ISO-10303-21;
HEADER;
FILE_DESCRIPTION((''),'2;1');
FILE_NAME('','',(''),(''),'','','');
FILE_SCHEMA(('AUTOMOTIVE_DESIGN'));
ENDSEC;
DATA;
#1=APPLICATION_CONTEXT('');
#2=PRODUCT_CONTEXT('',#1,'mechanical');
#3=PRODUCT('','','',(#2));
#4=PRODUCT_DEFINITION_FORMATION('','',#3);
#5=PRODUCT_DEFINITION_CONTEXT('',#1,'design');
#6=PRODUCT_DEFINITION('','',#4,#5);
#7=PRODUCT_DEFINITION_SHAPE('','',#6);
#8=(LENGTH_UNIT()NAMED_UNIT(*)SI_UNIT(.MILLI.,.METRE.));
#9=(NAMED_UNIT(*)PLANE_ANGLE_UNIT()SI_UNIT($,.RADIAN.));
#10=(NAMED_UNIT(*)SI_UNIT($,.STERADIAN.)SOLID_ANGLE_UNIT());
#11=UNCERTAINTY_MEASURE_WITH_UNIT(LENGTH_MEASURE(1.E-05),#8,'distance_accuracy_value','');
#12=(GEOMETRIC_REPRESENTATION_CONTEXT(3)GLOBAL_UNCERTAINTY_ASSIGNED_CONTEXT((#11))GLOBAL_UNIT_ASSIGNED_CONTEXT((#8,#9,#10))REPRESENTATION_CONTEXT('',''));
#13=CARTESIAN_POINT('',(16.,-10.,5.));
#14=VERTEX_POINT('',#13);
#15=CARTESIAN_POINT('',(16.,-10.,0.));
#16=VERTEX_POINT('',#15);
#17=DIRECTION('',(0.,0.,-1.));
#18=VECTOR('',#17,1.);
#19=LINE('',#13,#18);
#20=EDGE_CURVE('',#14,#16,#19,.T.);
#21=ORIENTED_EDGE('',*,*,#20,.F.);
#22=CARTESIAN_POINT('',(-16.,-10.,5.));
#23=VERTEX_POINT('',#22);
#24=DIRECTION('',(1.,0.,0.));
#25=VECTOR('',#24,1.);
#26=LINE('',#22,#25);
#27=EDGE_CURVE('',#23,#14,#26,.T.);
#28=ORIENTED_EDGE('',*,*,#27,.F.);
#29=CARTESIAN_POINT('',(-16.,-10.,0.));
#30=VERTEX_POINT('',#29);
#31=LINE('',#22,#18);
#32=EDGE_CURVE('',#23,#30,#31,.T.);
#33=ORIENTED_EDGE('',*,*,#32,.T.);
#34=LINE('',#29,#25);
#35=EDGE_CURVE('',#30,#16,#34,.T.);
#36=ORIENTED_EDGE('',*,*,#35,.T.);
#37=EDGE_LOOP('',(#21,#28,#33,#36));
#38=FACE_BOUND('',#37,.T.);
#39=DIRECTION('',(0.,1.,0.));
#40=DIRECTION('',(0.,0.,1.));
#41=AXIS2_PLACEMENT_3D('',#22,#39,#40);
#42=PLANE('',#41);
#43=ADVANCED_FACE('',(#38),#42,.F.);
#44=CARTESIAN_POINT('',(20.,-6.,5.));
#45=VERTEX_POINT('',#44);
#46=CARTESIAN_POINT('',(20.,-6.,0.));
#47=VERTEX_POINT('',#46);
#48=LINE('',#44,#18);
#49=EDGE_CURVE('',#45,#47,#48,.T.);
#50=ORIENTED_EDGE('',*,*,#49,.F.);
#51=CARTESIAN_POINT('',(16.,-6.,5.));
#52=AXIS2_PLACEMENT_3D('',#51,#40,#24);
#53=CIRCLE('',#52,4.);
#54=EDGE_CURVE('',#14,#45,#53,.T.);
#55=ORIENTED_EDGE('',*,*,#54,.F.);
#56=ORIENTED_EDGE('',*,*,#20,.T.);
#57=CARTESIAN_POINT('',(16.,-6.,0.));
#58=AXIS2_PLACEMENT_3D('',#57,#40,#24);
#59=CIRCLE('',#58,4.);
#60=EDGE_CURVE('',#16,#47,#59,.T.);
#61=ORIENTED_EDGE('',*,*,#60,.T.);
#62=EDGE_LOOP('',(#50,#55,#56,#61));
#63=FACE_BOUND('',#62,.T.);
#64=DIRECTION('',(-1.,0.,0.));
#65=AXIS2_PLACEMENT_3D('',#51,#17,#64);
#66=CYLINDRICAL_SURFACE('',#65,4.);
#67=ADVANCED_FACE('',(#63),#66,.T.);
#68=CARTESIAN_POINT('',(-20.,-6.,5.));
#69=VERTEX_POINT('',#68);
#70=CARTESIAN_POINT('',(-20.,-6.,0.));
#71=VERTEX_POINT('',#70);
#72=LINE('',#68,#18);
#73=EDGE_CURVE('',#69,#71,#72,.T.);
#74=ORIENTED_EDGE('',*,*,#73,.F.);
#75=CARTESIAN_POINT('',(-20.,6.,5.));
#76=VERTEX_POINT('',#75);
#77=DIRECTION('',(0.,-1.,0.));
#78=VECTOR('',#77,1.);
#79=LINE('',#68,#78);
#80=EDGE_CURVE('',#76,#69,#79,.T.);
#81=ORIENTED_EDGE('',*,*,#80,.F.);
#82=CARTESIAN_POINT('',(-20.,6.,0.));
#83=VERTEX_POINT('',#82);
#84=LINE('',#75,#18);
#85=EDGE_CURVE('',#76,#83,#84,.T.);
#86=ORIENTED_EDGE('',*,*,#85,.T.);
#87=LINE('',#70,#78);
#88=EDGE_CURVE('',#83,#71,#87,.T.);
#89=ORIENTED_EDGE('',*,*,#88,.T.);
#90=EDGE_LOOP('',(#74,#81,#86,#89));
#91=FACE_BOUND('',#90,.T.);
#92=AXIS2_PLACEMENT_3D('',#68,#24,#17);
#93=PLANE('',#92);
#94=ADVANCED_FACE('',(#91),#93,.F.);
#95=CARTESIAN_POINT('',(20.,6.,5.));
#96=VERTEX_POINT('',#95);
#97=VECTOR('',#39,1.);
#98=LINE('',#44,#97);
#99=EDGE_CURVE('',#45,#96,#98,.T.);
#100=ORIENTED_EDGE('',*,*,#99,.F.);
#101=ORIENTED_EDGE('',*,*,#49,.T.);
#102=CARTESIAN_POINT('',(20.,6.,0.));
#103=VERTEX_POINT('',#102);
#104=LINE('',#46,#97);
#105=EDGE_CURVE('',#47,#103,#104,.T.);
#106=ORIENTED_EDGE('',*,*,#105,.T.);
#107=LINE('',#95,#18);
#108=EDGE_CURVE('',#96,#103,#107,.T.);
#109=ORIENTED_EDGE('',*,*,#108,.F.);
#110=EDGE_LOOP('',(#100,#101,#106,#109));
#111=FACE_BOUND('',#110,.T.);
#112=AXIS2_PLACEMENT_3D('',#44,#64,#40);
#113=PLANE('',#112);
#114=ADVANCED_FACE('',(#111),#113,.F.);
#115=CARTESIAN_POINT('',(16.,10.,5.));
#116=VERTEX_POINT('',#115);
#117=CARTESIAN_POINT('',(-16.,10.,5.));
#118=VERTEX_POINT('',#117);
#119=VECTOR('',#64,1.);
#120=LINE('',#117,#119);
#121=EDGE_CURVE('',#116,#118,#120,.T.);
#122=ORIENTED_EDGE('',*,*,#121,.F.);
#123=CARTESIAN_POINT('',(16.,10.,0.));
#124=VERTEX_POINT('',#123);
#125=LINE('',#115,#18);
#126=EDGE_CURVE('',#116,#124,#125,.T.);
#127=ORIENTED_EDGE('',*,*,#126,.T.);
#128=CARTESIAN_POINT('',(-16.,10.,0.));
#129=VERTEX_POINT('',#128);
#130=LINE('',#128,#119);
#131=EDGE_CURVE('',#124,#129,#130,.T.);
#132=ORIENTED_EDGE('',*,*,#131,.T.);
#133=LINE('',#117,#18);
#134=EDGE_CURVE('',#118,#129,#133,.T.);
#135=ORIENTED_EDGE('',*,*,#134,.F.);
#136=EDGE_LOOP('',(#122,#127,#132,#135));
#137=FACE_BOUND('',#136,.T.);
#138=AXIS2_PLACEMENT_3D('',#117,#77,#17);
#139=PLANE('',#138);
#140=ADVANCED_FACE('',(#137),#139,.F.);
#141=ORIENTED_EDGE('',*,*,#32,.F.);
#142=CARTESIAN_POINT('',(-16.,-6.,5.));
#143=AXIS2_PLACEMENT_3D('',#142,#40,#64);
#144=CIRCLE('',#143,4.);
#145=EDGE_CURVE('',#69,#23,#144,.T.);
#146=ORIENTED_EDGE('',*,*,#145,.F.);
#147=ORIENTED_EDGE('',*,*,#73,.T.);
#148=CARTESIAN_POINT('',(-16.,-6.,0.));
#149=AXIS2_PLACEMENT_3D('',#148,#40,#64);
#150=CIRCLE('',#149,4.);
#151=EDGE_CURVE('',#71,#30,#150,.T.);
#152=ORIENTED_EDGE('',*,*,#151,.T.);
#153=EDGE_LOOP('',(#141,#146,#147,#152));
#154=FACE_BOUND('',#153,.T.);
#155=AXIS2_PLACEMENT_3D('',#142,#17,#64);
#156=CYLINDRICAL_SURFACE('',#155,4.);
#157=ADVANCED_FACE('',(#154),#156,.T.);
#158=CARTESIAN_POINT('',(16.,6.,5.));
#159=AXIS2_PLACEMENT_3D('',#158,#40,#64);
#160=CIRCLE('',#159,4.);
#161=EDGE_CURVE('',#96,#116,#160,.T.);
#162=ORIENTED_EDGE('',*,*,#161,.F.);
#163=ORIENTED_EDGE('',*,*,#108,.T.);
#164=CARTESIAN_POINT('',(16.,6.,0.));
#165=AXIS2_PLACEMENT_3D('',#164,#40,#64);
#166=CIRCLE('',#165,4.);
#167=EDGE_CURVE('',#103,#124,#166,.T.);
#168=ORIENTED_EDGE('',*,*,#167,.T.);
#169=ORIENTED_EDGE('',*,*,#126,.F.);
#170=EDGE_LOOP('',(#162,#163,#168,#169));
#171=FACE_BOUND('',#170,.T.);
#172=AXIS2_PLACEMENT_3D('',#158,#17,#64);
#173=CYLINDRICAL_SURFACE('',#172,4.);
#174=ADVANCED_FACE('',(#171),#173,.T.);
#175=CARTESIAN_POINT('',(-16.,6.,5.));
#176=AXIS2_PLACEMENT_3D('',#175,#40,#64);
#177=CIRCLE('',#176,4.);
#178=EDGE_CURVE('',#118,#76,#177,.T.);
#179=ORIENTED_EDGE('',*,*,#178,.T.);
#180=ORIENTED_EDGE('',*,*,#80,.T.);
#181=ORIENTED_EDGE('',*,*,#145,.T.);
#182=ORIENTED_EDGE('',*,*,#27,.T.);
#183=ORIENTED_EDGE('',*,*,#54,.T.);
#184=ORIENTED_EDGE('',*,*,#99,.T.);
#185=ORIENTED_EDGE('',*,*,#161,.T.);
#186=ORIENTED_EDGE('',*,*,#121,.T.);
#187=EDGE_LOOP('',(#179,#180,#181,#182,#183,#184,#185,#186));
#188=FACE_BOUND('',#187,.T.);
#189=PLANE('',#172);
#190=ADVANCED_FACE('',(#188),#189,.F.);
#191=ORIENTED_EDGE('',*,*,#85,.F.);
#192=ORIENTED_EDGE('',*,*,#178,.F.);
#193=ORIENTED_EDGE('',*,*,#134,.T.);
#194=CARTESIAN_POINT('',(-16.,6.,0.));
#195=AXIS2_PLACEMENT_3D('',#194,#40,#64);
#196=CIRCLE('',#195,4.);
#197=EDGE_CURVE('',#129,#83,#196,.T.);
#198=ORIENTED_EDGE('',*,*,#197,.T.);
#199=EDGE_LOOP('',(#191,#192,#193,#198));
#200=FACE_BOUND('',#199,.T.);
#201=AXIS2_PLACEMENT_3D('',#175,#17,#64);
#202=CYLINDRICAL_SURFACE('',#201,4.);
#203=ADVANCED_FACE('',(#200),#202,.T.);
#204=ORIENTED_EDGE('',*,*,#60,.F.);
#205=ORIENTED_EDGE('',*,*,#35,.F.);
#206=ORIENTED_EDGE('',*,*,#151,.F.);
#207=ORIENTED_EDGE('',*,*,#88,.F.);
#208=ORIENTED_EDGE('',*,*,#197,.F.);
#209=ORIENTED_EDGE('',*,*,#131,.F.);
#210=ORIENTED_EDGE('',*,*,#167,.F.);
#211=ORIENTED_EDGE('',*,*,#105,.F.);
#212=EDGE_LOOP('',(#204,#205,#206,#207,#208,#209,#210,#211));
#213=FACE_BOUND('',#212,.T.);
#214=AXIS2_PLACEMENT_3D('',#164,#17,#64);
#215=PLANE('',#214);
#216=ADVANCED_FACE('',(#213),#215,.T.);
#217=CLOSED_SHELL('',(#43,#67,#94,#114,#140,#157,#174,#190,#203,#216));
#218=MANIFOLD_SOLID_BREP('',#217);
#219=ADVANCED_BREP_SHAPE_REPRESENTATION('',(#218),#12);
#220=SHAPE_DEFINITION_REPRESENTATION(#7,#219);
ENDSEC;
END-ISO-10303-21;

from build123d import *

# Parameters (mm, degrees)
EXTRUDE_1_DEPTH = 5


with BuildPart() as part:
    # Эскиз1 → Бобышка-Вытянуть1 (new body)
    with BuildSketch(Plane.XY):
        with BuildLine():
            Line((-16, -10), (16, -10))
            ThreePointArc((16, -10), (18.828427125, -8.828427125), (20, -6))
            Line((20, -6), (20, 6))
            ThreePointArc((20, 6), (18.828427125, 8.828427125), (16, 10))
            Line((16, 10), (-16, 10))
            ThreePointArc((-16, 10), (-18.828427125, 8.828427125), (-20, 6))
            Line((-20, 6), (-20, -6))
            ThreePointArc((-20, -6), (-18.828427125, -8.828427125), (-16, -10))
        make_face()
    extrude(amount=EXTRUDE_1_DEPTH)


solid = part.part
